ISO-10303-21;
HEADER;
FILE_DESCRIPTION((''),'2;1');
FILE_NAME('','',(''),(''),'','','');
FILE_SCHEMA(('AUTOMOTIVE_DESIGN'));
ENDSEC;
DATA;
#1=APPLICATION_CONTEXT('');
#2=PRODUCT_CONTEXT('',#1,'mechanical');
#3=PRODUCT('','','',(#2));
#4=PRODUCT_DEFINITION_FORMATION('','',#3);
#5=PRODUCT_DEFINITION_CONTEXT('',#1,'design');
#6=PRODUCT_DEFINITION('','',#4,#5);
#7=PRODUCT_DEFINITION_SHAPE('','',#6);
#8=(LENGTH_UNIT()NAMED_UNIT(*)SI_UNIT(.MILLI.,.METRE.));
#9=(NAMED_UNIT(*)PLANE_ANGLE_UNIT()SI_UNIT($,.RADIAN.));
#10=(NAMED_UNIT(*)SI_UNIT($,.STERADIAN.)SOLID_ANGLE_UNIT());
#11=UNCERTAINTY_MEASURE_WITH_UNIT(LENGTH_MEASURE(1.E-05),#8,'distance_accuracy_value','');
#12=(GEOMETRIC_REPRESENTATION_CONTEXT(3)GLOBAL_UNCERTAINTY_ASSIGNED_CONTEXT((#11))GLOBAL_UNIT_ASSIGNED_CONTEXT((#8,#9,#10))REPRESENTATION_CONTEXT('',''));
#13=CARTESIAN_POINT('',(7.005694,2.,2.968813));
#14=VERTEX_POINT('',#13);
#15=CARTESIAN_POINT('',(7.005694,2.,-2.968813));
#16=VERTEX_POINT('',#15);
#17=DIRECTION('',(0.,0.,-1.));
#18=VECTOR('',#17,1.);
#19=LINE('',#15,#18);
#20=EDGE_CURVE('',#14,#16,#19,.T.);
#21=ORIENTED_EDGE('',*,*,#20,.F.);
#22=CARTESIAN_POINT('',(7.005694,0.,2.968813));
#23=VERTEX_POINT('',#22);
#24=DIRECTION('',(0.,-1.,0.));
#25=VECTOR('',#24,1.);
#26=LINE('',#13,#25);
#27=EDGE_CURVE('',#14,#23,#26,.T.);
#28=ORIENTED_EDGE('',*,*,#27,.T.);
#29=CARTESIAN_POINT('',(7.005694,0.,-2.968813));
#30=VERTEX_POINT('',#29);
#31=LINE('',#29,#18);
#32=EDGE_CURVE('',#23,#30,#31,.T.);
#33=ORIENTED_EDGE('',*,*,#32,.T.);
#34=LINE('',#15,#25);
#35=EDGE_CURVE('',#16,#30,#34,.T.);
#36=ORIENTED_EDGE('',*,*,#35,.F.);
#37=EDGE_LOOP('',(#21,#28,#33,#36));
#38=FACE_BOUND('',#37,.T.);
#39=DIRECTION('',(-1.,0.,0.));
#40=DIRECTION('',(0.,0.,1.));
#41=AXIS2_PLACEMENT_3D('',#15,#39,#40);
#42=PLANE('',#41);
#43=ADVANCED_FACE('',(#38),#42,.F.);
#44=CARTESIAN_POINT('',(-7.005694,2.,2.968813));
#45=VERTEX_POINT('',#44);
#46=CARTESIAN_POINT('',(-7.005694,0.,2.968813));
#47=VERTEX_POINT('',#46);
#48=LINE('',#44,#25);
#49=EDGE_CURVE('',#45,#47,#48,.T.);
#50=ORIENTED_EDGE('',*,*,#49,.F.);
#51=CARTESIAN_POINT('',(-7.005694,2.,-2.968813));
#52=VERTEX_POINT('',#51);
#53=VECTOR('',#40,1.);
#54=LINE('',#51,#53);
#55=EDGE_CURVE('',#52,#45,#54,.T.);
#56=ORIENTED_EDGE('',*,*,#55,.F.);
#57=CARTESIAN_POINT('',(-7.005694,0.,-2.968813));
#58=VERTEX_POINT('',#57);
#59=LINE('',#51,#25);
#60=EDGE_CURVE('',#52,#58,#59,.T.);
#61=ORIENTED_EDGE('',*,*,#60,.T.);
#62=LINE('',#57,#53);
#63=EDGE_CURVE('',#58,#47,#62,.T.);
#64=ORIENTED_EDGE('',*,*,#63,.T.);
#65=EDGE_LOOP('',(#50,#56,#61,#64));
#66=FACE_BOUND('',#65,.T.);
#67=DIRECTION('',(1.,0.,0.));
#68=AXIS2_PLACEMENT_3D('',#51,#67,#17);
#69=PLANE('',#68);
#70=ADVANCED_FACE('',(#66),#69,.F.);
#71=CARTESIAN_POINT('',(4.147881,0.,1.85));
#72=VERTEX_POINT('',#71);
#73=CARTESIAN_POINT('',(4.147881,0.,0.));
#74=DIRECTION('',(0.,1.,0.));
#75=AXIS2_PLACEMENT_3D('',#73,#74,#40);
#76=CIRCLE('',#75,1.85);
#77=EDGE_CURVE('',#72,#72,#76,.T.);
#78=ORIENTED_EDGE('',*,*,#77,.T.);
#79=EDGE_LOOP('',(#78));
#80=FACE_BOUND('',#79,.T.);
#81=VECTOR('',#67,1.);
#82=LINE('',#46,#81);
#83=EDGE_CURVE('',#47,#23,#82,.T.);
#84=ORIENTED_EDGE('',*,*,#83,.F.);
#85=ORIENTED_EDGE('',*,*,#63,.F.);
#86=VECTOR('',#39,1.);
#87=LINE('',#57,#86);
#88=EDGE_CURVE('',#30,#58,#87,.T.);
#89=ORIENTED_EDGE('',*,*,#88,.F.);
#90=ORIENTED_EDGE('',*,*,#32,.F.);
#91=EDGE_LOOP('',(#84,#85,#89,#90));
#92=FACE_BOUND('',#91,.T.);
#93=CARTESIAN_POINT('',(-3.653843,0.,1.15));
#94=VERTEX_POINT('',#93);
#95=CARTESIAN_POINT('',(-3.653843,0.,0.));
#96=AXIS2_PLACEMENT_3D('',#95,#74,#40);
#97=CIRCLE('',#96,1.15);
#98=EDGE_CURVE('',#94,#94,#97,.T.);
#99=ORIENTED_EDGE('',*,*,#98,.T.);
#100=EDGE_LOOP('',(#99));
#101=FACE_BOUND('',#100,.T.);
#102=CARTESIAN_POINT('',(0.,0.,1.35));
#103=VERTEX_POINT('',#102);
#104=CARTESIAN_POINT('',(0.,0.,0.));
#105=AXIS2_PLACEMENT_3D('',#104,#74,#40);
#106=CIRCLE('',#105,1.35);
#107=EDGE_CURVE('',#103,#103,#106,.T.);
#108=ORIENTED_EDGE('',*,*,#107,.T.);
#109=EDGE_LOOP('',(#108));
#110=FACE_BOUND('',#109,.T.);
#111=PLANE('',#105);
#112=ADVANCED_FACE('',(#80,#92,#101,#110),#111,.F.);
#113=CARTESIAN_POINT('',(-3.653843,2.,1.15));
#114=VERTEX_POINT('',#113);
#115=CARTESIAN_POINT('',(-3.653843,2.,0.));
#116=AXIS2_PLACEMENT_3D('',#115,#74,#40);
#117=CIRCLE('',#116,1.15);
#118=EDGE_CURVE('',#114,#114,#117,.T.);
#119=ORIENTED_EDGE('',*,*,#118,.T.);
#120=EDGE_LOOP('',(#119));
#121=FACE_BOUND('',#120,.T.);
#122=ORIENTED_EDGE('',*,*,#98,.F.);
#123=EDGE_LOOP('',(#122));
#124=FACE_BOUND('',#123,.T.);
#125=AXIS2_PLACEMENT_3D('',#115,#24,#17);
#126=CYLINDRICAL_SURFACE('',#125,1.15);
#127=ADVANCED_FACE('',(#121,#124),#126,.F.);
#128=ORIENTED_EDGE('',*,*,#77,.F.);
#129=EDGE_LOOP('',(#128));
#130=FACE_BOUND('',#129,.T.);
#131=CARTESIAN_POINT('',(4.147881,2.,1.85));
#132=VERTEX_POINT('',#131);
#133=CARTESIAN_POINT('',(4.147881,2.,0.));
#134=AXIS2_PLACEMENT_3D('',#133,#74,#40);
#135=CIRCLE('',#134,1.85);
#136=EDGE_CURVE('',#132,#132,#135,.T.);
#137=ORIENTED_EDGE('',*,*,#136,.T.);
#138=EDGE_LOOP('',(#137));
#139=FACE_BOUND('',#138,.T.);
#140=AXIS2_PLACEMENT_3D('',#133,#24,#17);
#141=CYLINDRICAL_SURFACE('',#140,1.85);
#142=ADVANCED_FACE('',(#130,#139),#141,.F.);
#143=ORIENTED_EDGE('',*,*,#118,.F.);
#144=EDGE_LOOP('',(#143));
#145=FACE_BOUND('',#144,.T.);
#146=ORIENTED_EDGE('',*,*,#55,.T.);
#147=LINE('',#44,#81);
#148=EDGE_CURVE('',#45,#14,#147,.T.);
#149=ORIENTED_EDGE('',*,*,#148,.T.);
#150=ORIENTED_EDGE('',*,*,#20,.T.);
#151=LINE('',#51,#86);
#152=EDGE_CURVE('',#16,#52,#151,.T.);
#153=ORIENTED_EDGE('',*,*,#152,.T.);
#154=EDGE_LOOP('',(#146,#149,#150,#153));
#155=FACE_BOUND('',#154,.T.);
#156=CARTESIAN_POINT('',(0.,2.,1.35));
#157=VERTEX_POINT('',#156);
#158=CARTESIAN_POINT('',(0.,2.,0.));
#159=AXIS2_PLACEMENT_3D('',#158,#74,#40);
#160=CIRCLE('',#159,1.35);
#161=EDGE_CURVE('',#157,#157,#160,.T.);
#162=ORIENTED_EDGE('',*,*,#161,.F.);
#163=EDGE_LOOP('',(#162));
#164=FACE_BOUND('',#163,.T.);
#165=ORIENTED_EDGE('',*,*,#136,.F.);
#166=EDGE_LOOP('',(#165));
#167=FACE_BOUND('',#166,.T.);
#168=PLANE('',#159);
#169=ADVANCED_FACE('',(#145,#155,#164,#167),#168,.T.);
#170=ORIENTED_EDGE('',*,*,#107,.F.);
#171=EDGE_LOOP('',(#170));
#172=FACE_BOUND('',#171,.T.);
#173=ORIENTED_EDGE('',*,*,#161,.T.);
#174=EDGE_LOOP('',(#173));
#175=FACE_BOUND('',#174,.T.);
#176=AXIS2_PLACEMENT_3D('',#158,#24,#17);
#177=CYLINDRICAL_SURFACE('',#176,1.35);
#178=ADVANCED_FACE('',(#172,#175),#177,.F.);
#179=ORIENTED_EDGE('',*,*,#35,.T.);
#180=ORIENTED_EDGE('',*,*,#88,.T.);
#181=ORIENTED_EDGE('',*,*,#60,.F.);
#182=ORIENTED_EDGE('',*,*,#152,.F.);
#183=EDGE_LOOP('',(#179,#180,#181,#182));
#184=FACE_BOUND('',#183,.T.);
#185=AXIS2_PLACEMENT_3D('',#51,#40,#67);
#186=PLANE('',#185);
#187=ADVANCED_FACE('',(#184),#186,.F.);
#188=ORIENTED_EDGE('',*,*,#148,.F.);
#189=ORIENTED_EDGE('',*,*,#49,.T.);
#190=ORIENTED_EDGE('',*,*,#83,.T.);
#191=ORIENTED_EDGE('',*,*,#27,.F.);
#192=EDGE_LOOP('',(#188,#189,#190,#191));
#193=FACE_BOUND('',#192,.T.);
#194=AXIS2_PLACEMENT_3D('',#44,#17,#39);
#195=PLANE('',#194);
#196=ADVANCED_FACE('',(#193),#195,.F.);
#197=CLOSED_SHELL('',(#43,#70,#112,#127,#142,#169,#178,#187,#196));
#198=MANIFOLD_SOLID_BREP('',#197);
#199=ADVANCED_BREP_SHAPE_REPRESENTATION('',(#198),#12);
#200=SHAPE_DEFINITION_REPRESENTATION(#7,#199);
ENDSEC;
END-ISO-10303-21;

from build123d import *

# Parameters (mm, degrees)
SKETCH1_W           = 14.011388394
SKETCH1_H           = 5.937625438
SKETCH1_R           = 1.15
SKETCH1_R_2         = 1.35
SKETCH1_R_3         = 1.85
BOSS_EXTRUDE1_DEPTH = 2


with BuildPart() as part:
    # Sketch1 → Boss-Extrude1 (new body)
    with BuildSketch(Plane(origin=(0, 0, 0), x_dir=(1, 0, 0), z_dir=(0, 1, 0))):
        Rectangle(SKETCH1_W, SKETCH1_H)
        with Locations((-3.653842684, 0)):
            Circle(SKETCH1_R, mode=Mode.SUBTRACT)
        Circle(SKETCH1_R_2, mode=Mode.SUBTRACT)
        with Locations((4.147880665, 0)):
            Circle(SKETCH1_R_3, mode=Mode.SUBTRACT)
    extrude(amount=BOSS_EXTRUDE1_DEPTH)


solid = part.part
